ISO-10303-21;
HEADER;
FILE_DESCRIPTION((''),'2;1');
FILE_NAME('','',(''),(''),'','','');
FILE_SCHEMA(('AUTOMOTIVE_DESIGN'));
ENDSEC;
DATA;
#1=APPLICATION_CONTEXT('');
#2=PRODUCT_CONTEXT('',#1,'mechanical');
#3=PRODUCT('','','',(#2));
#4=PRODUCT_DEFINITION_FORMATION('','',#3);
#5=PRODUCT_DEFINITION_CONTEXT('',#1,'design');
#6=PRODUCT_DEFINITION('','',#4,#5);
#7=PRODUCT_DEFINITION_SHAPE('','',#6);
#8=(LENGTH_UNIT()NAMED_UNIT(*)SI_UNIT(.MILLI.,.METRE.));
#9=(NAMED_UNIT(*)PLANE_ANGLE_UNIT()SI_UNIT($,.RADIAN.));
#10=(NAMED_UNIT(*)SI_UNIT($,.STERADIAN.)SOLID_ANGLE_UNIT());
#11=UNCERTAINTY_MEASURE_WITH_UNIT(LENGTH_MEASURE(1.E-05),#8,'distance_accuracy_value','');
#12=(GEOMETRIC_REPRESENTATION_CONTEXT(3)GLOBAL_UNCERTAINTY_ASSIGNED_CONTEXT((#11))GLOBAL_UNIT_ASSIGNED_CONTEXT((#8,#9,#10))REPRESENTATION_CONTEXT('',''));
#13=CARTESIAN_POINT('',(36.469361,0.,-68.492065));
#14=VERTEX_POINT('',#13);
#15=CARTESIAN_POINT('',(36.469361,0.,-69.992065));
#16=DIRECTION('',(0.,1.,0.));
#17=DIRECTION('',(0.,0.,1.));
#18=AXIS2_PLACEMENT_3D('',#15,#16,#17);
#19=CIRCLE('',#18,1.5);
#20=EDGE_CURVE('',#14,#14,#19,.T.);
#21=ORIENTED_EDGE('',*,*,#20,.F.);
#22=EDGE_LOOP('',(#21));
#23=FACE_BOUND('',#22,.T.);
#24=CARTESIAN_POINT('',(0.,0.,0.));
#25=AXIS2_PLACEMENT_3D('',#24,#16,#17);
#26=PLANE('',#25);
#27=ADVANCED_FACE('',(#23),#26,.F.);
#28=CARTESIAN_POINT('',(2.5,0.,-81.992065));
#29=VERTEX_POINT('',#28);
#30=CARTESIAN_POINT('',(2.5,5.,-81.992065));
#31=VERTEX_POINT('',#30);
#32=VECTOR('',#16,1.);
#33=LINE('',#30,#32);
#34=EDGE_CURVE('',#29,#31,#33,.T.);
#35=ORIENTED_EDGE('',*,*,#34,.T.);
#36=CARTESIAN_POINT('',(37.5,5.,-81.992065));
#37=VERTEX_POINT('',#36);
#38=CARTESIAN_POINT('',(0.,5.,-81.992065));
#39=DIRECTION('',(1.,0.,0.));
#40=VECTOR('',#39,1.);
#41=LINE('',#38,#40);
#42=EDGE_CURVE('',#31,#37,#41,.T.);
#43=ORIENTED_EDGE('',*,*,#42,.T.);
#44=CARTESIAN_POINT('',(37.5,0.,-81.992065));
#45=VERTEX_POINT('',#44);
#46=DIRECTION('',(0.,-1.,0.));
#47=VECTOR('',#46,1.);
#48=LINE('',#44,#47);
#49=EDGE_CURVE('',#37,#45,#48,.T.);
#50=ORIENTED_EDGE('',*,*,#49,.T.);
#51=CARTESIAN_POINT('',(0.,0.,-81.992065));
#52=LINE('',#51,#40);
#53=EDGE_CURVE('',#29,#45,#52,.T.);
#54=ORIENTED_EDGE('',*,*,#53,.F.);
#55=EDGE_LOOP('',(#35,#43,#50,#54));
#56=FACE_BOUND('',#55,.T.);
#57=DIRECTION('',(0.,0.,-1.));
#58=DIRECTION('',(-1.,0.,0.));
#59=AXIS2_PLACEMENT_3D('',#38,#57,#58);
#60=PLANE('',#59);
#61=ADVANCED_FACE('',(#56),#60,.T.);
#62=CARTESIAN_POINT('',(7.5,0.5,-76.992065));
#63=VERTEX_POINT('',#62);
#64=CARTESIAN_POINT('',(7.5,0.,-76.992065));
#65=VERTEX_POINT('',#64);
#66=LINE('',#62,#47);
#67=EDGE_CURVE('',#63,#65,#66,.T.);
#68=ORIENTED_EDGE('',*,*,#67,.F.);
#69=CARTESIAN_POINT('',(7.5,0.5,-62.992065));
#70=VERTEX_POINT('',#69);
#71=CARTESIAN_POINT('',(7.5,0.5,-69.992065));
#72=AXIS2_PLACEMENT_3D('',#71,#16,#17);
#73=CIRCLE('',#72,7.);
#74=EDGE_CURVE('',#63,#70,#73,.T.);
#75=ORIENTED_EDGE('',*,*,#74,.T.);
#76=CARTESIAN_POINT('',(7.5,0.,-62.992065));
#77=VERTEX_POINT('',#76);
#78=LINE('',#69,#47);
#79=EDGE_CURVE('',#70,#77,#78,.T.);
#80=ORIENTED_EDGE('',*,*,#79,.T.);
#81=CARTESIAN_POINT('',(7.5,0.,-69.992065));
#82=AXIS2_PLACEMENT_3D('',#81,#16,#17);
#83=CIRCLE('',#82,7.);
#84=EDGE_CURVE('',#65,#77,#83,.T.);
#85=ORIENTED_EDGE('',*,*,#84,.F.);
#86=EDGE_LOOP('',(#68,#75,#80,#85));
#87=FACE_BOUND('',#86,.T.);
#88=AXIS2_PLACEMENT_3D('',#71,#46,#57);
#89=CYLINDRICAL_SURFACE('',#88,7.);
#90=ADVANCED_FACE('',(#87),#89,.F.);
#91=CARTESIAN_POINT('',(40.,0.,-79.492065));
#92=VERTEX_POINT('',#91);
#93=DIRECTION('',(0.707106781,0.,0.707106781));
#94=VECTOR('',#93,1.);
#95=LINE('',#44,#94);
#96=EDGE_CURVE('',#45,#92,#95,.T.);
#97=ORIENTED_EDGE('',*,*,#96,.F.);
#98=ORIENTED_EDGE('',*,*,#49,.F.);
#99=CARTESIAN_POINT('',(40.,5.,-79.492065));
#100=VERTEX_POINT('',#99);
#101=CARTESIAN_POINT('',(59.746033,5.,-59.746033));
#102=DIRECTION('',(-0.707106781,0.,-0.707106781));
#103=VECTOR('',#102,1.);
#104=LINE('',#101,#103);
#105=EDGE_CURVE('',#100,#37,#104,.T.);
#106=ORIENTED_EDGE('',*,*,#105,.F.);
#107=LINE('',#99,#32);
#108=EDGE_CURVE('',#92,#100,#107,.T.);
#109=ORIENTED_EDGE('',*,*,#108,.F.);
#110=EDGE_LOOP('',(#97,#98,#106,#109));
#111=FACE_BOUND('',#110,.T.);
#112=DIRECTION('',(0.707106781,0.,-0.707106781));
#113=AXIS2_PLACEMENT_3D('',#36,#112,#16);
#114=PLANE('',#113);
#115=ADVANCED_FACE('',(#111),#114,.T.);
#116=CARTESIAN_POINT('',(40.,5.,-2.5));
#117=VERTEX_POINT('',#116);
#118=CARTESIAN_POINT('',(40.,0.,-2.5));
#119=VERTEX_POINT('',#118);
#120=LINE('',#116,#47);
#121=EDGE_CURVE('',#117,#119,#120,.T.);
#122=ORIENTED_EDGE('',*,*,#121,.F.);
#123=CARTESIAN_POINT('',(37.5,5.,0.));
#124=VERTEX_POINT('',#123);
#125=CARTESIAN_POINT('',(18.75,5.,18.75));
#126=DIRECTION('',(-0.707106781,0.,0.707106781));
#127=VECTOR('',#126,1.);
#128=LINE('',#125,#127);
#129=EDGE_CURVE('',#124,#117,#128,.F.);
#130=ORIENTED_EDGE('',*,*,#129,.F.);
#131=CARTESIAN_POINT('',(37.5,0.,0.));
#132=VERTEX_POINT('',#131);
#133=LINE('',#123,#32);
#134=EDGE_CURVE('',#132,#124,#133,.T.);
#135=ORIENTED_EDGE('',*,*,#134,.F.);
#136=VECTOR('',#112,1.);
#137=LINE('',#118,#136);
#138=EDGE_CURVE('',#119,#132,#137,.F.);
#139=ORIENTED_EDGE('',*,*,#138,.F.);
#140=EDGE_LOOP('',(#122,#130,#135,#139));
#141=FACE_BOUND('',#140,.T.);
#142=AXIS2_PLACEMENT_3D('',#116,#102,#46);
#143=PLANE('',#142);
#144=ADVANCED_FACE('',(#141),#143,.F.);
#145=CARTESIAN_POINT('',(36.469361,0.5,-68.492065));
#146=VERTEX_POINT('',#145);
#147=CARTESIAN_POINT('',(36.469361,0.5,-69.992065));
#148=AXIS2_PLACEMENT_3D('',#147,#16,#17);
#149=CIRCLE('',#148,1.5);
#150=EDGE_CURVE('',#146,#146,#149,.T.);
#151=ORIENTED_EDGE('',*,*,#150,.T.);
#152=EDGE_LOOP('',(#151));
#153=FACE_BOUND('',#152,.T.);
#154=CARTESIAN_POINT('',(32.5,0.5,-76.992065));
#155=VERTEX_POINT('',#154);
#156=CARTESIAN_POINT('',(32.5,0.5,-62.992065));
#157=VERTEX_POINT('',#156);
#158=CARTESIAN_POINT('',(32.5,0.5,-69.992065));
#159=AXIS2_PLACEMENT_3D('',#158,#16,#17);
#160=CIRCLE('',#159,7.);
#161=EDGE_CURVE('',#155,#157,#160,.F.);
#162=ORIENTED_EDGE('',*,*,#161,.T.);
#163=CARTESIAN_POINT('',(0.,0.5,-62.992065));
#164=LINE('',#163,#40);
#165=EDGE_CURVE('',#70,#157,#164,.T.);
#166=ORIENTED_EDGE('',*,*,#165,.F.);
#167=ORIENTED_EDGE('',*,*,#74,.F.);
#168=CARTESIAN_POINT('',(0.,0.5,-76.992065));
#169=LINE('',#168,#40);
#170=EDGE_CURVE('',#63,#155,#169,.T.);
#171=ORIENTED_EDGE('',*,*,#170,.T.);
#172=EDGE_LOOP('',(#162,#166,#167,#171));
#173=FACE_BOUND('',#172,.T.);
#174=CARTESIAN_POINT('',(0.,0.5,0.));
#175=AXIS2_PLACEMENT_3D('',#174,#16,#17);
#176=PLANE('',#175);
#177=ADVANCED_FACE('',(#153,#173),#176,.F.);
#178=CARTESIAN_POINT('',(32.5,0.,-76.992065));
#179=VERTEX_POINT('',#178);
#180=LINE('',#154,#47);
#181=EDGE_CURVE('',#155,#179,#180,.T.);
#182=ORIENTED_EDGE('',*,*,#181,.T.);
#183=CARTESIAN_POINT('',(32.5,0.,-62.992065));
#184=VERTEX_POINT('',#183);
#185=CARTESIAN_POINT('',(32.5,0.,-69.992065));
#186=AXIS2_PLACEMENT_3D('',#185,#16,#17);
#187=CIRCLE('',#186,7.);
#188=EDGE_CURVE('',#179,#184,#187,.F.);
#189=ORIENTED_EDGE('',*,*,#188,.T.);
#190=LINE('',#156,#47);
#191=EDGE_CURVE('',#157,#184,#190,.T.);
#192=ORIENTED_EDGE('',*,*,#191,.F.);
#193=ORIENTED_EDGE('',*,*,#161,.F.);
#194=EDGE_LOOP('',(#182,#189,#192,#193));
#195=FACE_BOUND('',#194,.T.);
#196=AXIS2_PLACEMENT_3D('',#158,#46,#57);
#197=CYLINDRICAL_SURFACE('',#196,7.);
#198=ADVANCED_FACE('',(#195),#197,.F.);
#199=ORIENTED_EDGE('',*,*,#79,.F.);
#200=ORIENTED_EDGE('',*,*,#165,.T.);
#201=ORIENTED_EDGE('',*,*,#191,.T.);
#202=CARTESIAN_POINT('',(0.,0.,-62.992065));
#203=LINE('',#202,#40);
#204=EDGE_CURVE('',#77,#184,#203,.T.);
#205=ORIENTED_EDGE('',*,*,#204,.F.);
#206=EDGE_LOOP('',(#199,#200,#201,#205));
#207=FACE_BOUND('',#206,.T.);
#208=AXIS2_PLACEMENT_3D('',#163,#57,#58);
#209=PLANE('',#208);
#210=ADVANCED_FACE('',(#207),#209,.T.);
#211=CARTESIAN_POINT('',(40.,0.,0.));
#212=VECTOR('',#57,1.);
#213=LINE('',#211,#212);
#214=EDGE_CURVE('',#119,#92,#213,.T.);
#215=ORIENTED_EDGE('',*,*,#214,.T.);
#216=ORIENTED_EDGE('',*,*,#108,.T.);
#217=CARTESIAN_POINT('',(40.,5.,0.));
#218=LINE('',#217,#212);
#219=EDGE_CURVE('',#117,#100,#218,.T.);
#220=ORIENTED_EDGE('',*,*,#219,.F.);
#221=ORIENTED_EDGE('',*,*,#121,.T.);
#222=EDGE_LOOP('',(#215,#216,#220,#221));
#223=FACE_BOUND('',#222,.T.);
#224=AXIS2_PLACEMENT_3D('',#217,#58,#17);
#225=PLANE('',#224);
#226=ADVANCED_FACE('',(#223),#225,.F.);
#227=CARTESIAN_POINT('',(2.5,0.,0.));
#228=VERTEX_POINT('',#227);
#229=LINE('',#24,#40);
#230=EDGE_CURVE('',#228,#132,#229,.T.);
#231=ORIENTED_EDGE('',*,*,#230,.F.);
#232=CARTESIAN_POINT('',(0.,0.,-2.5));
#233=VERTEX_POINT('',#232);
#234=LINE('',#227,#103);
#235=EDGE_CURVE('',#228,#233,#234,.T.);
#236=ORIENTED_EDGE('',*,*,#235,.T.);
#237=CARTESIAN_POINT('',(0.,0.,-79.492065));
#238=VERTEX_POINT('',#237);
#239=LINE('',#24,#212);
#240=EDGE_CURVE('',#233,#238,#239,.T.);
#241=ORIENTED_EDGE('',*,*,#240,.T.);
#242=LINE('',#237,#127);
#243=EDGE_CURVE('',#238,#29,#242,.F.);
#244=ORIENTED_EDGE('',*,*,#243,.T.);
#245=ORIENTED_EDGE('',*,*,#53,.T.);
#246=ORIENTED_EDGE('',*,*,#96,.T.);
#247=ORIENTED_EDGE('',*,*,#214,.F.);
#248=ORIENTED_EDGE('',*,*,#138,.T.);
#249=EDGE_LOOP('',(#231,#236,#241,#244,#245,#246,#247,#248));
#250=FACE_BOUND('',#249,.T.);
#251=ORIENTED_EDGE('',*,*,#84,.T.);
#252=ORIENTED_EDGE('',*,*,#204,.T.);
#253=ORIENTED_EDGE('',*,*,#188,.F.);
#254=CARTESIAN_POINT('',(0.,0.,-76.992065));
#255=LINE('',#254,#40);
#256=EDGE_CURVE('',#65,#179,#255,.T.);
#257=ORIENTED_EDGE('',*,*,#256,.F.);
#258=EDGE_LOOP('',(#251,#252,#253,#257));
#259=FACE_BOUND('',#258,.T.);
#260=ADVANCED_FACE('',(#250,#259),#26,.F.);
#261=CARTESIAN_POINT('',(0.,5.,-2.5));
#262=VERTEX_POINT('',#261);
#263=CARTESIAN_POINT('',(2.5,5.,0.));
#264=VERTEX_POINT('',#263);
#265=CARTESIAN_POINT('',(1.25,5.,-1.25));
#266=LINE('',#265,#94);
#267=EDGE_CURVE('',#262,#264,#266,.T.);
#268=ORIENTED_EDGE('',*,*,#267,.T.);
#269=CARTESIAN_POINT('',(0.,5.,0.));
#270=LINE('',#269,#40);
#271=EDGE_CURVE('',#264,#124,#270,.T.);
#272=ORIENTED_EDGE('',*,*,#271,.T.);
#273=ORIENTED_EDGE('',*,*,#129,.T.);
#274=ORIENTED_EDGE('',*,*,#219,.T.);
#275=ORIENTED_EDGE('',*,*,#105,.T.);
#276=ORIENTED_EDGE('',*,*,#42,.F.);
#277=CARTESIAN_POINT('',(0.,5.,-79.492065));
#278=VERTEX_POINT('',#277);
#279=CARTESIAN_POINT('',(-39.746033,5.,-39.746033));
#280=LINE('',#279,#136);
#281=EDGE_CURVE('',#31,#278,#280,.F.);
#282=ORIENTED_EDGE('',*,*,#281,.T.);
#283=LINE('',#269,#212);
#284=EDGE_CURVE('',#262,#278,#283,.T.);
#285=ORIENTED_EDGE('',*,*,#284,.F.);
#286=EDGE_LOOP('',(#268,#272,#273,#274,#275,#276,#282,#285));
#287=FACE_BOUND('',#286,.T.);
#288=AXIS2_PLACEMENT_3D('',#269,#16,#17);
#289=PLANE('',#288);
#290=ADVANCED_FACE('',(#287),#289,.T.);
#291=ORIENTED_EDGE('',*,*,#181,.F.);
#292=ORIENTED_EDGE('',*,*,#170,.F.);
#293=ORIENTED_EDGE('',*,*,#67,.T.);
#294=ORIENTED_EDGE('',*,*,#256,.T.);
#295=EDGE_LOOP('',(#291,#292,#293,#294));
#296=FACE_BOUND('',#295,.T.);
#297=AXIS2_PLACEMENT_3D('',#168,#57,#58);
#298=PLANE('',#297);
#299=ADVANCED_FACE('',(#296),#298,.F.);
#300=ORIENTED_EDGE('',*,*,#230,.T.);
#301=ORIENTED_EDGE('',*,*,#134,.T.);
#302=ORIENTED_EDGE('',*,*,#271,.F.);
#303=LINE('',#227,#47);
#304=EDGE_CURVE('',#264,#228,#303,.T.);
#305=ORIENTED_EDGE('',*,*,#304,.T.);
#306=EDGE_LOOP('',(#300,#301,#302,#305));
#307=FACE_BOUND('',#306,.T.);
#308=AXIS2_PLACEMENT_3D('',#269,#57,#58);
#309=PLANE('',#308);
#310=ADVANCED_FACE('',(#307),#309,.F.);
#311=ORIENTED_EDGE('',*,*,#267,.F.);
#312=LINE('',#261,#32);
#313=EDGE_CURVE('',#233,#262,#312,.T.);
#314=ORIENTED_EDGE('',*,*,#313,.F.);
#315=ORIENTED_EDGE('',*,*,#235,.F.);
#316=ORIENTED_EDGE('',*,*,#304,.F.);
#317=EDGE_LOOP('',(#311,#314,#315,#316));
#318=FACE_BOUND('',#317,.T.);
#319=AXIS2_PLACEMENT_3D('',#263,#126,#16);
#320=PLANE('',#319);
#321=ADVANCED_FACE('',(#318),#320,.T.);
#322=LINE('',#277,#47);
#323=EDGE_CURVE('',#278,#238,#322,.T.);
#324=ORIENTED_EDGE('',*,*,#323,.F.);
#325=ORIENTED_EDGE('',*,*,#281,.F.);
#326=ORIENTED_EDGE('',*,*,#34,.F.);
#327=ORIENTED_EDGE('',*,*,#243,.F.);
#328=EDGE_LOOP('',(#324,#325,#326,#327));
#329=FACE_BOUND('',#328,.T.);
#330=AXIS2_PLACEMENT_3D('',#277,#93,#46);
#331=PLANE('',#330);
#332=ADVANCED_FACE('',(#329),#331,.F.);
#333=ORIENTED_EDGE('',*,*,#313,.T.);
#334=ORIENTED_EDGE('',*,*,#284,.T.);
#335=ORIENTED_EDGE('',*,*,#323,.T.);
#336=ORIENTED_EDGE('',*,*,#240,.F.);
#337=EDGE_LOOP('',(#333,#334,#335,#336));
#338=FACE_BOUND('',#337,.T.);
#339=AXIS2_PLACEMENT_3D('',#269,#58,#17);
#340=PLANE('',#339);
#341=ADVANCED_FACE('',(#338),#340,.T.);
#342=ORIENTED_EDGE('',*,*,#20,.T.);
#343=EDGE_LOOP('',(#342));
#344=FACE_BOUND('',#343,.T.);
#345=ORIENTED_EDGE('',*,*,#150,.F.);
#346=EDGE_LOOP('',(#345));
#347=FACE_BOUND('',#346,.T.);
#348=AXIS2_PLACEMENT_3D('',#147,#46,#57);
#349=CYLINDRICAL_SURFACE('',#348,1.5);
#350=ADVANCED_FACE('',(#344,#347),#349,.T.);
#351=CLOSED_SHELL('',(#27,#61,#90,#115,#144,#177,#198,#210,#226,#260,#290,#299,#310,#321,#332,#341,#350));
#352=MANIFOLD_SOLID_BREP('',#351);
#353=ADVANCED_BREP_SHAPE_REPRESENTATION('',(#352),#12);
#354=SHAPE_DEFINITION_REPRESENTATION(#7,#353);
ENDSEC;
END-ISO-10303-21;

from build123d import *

# Parameters (mm, degrees)
SKETCH1_W           = 40
SKETCH1_H           = 81.992065469
BOSS_EXTRUDE4_DEPTH = 5
CHAMFER3_SIZE       = 2.5
CHAMFER4_SIZE       = 2.5
CHAMFER5_SIZE       = 2.5
CHAMFER6_SIZE       = 2.5
SKETCH5_R           = 1.5
CUT_EXTRUDE5_DEPTH  = 0.5


with BuildPart() as part:
    # Sketch1 → Boss-Extrude4 (new body)
    with BuildSketch(Plane(origin=(0, 0, 0), x_dir=(1, 0, 0), z_dir=(0, 1, 0))):
        with Locations((20, 40.996032735)):
            Rectangle(SKETCH1_W, SKETCH1_H)
    extrude(amount=BOSS_EXTRUDE4_DEPTH)

    # Chamfer3
    chamfer3_edges = [part.edges().sort_by_distance(p)[0] for p in [
        (40, 2.5, -81.992065469),
    ]]
    chamfer(chamfer3_edges, length=CHAMFER3_SIZE)

    # Chamfer4
    chamfer4_edges = [part.edges().sort_by_distance(p)[0] for p in [
        (0, 2.5, -81.992065469),
    ]]
    chamfer(chamfer4_edges, length=CHAMFER4_SIZE)

    # Chamfer5
    chamfer5_edges = [part.edges().sort_by_distance(p)[0] for p in [
        (0, 2.5, 0),
    ]]
    chamfer(chamfer5_edges, length=CHAMFER5_SIZE)

    # Chamfer6
    chamfer6_edges = [part.edges().sort_by_distance(p)[0] for p in [
        (40, 2.5, 0),
    ]]
    chamfer(chamfer6_edges, length=CHAMFER6_SIZE)

    # Sketch5 → Cut-Extrude5 (cut)
    with BuildSketch(Plane(origin=(0, 0, 0), x_dir=(1, 0, 0), z_dir=(0, 1, 0))):
        with BuildLine():
            Line((7.5, 62.992065469), (32.5, 62.992065469))
            ThreePointArc((32.5, 62.992065469), (39.5, 69.992065469), (32.5, 76.992065469))
            Line((32.5, 76.992065469), (7.5, 76.992065469))
            ThreePointArc((7.5, 76.992065469), (0.5, 69.992065469), (7.5, 62.992065469))
        make_face()
        with Locations(Location((36.469361294, 69.992065469, 0), (0, 0, 270))):
            Circle(SKETCH5_R, mode=Mode.SUBTRACT)
    extrude(amount=CUT_EXTRUDE5_DEPTH, mode=Mode.SUBTRACT)


solid = part.part
